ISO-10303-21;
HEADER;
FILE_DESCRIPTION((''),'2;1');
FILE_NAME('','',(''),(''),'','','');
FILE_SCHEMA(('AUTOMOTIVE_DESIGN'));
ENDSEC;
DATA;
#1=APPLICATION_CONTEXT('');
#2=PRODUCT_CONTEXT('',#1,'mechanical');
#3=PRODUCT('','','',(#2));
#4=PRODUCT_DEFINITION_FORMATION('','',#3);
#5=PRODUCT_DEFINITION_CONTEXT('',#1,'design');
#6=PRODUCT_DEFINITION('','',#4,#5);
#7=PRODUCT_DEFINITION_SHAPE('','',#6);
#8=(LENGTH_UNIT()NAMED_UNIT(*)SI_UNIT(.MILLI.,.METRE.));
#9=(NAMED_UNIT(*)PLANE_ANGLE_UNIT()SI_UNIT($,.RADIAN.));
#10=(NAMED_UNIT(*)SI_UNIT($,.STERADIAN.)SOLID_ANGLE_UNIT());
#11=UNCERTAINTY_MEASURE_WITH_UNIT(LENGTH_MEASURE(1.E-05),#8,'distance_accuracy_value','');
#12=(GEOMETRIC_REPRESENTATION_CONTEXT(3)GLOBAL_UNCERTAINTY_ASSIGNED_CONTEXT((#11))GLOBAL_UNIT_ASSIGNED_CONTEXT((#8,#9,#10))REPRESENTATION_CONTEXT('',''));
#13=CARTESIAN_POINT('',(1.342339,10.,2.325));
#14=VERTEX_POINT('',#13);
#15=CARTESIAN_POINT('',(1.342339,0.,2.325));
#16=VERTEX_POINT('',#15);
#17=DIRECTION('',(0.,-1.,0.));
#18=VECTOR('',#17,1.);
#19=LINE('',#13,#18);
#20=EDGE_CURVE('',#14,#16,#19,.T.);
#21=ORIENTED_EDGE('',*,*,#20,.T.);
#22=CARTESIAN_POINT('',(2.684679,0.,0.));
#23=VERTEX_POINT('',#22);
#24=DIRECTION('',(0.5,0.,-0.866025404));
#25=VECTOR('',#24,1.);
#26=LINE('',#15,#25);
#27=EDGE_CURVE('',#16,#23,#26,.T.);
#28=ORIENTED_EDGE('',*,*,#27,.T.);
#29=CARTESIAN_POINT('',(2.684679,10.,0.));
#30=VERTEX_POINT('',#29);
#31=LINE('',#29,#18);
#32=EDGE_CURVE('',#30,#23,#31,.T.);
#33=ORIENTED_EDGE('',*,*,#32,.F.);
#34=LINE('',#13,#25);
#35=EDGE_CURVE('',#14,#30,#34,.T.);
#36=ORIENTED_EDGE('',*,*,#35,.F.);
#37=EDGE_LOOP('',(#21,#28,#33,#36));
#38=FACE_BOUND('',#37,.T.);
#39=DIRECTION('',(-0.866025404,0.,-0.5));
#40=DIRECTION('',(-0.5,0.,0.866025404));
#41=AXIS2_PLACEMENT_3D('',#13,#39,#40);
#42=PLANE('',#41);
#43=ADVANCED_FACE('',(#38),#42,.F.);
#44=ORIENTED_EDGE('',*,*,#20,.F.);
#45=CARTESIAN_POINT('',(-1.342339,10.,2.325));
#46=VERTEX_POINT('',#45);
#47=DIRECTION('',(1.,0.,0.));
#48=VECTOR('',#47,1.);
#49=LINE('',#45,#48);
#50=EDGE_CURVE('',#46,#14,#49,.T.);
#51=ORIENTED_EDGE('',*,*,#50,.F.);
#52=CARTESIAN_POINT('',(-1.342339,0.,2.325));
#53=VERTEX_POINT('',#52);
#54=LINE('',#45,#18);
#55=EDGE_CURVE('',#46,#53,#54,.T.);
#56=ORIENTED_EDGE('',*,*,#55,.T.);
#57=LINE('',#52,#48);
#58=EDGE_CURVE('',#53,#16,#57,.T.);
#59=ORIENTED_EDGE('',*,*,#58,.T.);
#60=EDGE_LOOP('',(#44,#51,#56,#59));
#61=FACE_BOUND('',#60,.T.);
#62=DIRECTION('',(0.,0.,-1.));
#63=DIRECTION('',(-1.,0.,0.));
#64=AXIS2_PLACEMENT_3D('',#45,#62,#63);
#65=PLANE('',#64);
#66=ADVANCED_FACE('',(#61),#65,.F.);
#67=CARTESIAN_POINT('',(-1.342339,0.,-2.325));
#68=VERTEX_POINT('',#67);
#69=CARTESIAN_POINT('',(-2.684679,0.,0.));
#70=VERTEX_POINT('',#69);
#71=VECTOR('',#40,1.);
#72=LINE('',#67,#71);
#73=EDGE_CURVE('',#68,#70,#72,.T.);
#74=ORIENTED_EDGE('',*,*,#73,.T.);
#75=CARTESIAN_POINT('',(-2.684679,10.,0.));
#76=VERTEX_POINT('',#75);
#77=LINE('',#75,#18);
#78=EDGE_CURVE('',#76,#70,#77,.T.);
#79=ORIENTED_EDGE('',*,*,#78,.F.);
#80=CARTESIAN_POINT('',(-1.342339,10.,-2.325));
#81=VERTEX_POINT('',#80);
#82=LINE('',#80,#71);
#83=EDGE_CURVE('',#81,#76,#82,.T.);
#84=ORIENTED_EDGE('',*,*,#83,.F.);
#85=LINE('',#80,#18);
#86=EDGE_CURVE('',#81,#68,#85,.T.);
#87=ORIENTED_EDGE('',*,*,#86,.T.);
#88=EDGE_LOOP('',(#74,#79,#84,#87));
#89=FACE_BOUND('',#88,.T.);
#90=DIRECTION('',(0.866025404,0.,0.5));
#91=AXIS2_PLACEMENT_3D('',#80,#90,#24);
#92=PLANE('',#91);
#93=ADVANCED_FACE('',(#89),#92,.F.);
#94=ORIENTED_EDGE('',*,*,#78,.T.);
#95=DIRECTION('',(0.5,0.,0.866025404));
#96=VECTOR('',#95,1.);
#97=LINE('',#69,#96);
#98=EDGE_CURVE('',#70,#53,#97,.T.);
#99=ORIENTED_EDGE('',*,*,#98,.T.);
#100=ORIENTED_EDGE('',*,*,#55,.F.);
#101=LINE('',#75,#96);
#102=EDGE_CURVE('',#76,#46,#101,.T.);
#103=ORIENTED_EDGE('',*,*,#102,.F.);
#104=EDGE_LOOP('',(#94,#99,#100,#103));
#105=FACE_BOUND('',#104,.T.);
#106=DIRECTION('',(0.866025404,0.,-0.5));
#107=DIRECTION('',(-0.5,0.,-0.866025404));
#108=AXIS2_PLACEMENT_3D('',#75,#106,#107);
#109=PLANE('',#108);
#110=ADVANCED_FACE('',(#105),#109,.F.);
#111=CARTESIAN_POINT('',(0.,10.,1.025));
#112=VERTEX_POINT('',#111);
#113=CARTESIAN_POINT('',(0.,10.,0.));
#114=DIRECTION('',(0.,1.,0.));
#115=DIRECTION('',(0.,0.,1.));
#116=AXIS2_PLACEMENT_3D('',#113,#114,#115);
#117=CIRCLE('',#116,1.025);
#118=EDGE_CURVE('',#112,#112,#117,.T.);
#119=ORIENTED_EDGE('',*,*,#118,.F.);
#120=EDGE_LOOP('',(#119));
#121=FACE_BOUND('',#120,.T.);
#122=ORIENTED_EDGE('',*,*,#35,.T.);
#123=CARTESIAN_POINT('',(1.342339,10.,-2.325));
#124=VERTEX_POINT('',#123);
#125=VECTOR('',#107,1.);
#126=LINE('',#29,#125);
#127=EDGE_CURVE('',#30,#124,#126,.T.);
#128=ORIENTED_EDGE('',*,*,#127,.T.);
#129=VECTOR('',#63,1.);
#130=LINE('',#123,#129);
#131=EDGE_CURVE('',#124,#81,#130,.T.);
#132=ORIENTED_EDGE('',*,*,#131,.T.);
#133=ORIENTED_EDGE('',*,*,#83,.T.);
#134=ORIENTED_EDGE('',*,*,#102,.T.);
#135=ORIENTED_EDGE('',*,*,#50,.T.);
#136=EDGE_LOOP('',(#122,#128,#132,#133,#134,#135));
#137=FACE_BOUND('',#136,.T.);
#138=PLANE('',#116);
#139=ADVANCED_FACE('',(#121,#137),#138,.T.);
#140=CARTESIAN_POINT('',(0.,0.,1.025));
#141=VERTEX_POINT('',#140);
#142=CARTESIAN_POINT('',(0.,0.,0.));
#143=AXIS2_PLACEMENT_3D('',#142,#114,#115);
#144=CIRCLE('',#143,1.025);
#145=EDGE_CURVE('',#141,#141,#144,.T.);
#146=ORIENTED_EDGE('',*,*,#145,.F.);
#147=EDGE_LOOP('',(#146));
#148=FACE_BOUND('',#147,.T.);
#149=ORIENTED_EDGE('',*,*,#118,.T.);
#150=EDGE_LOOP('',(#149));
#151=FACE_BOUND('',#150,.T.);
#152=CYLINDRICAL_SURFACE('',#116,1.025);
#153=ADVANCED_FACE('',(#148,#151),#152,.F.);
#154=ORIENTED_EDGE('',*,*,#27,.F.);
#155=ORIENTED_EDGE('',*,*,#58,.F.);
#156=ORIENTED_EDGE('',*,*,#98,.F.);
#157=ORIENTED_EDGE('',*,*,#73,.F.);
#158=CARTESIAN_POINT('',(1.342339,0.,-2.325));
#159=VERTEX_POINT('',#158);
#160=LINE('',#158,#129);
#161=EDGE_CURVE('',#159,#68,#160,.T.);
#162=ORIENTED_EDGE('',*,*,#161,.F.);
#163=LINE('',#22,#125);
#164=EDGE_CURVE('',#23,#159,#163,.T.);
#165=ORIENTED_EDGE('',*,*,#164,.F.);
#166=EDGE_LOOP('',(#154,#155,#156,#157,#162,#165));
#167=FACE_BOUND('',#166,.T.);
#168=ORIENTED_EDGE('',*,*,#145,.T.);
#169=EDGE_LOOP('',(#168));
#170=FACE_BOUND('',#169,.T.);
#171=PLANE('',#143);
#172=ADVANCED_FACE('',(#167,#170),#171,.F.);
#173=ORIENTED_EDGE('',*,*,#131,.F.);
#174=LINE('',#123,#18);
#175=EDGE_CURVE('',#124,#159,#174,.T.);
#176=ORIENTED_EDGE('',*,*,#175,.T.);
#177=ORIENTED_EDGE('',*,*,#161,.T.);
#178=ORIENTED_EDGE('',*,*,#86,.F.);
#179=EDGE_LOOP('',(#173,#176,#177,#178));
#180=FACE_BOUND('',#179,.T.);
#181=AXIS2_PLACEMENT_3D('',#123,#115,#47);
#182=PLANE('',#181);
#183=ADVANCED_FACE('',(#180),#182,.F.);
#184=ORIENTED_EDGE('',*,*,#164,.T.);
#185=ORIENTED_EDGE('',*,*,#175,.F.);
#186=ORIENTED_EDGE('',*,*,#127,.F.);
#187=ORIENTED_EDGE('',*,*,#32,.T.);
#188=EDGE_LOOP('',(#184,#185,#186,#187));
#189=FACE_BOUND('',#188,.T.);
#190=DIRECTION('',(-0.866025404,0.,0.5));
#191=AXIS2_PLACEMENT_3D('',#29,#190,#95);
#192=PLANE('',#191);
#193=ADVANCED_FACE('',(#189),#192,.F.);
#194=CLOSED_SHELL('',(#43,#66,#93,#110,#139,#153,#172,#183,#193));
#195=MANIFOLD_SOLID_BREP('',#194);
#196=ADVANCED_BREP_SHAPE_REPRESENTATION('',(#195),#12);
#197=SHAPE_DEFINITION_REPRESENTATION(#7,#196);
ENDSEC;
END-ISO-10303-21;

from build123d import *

# Parameters (mm, degrees)
BOSS_EXTRUDE1_DEPTH          = 10
M2_5X0_45_TAPPED_HOLE1_D     = 2.05
M2_5X0_45_TAPPED_HOLE1_DEPTH = 25
M2_5X0_45_TAPPED_HOLE1_TIP   = 0.615882135


with BuildPart() as part:
    # Sketch1 → Boss-Extrude1 (new body)
    with BuildSketch(Plane(origin=(0, 0, 0), x_dir=(1, 0, 0), z_dir=(0, 1, 0))):
        Polygon((2.684678752, 0), (1.342339376, 2.325), (-1.342339376, 2.325), (-2.684678752, 0), (-1.342339376, -2.325), (1.342339376, -2.325), align=None)
    extrude(amount=BOSS_EXTRUDE1_DEPTH)

    # M2.5x0.45 Tapped Hole1
    with Locations(Plane(origin=(0, 10, 0), x_dir=(1, 0, 0), z_dir=(0, 1, 0))):
        with Locations((0, 0)):
            Hole(M2_5X0_45_TAPPED_HOLE1_D / 2, depth=M2_5X0_45_TAPPED_HOLE1_DEPTH)
            with Locations((0, 0, -(M2_5X0_45_TAPPED_HOLE1_DEPTH + M2_5X0_45_TAPPED_HOLE1_TIP / 2))):  # 118° drill point
                Cone(0, M2_5X0_45_TAPPED_HOLE1_D / 2, M2_5X0_45_TAPPED_HOLE1_TIP, mode=Mode.SUBTRACT)


solid = part.part
